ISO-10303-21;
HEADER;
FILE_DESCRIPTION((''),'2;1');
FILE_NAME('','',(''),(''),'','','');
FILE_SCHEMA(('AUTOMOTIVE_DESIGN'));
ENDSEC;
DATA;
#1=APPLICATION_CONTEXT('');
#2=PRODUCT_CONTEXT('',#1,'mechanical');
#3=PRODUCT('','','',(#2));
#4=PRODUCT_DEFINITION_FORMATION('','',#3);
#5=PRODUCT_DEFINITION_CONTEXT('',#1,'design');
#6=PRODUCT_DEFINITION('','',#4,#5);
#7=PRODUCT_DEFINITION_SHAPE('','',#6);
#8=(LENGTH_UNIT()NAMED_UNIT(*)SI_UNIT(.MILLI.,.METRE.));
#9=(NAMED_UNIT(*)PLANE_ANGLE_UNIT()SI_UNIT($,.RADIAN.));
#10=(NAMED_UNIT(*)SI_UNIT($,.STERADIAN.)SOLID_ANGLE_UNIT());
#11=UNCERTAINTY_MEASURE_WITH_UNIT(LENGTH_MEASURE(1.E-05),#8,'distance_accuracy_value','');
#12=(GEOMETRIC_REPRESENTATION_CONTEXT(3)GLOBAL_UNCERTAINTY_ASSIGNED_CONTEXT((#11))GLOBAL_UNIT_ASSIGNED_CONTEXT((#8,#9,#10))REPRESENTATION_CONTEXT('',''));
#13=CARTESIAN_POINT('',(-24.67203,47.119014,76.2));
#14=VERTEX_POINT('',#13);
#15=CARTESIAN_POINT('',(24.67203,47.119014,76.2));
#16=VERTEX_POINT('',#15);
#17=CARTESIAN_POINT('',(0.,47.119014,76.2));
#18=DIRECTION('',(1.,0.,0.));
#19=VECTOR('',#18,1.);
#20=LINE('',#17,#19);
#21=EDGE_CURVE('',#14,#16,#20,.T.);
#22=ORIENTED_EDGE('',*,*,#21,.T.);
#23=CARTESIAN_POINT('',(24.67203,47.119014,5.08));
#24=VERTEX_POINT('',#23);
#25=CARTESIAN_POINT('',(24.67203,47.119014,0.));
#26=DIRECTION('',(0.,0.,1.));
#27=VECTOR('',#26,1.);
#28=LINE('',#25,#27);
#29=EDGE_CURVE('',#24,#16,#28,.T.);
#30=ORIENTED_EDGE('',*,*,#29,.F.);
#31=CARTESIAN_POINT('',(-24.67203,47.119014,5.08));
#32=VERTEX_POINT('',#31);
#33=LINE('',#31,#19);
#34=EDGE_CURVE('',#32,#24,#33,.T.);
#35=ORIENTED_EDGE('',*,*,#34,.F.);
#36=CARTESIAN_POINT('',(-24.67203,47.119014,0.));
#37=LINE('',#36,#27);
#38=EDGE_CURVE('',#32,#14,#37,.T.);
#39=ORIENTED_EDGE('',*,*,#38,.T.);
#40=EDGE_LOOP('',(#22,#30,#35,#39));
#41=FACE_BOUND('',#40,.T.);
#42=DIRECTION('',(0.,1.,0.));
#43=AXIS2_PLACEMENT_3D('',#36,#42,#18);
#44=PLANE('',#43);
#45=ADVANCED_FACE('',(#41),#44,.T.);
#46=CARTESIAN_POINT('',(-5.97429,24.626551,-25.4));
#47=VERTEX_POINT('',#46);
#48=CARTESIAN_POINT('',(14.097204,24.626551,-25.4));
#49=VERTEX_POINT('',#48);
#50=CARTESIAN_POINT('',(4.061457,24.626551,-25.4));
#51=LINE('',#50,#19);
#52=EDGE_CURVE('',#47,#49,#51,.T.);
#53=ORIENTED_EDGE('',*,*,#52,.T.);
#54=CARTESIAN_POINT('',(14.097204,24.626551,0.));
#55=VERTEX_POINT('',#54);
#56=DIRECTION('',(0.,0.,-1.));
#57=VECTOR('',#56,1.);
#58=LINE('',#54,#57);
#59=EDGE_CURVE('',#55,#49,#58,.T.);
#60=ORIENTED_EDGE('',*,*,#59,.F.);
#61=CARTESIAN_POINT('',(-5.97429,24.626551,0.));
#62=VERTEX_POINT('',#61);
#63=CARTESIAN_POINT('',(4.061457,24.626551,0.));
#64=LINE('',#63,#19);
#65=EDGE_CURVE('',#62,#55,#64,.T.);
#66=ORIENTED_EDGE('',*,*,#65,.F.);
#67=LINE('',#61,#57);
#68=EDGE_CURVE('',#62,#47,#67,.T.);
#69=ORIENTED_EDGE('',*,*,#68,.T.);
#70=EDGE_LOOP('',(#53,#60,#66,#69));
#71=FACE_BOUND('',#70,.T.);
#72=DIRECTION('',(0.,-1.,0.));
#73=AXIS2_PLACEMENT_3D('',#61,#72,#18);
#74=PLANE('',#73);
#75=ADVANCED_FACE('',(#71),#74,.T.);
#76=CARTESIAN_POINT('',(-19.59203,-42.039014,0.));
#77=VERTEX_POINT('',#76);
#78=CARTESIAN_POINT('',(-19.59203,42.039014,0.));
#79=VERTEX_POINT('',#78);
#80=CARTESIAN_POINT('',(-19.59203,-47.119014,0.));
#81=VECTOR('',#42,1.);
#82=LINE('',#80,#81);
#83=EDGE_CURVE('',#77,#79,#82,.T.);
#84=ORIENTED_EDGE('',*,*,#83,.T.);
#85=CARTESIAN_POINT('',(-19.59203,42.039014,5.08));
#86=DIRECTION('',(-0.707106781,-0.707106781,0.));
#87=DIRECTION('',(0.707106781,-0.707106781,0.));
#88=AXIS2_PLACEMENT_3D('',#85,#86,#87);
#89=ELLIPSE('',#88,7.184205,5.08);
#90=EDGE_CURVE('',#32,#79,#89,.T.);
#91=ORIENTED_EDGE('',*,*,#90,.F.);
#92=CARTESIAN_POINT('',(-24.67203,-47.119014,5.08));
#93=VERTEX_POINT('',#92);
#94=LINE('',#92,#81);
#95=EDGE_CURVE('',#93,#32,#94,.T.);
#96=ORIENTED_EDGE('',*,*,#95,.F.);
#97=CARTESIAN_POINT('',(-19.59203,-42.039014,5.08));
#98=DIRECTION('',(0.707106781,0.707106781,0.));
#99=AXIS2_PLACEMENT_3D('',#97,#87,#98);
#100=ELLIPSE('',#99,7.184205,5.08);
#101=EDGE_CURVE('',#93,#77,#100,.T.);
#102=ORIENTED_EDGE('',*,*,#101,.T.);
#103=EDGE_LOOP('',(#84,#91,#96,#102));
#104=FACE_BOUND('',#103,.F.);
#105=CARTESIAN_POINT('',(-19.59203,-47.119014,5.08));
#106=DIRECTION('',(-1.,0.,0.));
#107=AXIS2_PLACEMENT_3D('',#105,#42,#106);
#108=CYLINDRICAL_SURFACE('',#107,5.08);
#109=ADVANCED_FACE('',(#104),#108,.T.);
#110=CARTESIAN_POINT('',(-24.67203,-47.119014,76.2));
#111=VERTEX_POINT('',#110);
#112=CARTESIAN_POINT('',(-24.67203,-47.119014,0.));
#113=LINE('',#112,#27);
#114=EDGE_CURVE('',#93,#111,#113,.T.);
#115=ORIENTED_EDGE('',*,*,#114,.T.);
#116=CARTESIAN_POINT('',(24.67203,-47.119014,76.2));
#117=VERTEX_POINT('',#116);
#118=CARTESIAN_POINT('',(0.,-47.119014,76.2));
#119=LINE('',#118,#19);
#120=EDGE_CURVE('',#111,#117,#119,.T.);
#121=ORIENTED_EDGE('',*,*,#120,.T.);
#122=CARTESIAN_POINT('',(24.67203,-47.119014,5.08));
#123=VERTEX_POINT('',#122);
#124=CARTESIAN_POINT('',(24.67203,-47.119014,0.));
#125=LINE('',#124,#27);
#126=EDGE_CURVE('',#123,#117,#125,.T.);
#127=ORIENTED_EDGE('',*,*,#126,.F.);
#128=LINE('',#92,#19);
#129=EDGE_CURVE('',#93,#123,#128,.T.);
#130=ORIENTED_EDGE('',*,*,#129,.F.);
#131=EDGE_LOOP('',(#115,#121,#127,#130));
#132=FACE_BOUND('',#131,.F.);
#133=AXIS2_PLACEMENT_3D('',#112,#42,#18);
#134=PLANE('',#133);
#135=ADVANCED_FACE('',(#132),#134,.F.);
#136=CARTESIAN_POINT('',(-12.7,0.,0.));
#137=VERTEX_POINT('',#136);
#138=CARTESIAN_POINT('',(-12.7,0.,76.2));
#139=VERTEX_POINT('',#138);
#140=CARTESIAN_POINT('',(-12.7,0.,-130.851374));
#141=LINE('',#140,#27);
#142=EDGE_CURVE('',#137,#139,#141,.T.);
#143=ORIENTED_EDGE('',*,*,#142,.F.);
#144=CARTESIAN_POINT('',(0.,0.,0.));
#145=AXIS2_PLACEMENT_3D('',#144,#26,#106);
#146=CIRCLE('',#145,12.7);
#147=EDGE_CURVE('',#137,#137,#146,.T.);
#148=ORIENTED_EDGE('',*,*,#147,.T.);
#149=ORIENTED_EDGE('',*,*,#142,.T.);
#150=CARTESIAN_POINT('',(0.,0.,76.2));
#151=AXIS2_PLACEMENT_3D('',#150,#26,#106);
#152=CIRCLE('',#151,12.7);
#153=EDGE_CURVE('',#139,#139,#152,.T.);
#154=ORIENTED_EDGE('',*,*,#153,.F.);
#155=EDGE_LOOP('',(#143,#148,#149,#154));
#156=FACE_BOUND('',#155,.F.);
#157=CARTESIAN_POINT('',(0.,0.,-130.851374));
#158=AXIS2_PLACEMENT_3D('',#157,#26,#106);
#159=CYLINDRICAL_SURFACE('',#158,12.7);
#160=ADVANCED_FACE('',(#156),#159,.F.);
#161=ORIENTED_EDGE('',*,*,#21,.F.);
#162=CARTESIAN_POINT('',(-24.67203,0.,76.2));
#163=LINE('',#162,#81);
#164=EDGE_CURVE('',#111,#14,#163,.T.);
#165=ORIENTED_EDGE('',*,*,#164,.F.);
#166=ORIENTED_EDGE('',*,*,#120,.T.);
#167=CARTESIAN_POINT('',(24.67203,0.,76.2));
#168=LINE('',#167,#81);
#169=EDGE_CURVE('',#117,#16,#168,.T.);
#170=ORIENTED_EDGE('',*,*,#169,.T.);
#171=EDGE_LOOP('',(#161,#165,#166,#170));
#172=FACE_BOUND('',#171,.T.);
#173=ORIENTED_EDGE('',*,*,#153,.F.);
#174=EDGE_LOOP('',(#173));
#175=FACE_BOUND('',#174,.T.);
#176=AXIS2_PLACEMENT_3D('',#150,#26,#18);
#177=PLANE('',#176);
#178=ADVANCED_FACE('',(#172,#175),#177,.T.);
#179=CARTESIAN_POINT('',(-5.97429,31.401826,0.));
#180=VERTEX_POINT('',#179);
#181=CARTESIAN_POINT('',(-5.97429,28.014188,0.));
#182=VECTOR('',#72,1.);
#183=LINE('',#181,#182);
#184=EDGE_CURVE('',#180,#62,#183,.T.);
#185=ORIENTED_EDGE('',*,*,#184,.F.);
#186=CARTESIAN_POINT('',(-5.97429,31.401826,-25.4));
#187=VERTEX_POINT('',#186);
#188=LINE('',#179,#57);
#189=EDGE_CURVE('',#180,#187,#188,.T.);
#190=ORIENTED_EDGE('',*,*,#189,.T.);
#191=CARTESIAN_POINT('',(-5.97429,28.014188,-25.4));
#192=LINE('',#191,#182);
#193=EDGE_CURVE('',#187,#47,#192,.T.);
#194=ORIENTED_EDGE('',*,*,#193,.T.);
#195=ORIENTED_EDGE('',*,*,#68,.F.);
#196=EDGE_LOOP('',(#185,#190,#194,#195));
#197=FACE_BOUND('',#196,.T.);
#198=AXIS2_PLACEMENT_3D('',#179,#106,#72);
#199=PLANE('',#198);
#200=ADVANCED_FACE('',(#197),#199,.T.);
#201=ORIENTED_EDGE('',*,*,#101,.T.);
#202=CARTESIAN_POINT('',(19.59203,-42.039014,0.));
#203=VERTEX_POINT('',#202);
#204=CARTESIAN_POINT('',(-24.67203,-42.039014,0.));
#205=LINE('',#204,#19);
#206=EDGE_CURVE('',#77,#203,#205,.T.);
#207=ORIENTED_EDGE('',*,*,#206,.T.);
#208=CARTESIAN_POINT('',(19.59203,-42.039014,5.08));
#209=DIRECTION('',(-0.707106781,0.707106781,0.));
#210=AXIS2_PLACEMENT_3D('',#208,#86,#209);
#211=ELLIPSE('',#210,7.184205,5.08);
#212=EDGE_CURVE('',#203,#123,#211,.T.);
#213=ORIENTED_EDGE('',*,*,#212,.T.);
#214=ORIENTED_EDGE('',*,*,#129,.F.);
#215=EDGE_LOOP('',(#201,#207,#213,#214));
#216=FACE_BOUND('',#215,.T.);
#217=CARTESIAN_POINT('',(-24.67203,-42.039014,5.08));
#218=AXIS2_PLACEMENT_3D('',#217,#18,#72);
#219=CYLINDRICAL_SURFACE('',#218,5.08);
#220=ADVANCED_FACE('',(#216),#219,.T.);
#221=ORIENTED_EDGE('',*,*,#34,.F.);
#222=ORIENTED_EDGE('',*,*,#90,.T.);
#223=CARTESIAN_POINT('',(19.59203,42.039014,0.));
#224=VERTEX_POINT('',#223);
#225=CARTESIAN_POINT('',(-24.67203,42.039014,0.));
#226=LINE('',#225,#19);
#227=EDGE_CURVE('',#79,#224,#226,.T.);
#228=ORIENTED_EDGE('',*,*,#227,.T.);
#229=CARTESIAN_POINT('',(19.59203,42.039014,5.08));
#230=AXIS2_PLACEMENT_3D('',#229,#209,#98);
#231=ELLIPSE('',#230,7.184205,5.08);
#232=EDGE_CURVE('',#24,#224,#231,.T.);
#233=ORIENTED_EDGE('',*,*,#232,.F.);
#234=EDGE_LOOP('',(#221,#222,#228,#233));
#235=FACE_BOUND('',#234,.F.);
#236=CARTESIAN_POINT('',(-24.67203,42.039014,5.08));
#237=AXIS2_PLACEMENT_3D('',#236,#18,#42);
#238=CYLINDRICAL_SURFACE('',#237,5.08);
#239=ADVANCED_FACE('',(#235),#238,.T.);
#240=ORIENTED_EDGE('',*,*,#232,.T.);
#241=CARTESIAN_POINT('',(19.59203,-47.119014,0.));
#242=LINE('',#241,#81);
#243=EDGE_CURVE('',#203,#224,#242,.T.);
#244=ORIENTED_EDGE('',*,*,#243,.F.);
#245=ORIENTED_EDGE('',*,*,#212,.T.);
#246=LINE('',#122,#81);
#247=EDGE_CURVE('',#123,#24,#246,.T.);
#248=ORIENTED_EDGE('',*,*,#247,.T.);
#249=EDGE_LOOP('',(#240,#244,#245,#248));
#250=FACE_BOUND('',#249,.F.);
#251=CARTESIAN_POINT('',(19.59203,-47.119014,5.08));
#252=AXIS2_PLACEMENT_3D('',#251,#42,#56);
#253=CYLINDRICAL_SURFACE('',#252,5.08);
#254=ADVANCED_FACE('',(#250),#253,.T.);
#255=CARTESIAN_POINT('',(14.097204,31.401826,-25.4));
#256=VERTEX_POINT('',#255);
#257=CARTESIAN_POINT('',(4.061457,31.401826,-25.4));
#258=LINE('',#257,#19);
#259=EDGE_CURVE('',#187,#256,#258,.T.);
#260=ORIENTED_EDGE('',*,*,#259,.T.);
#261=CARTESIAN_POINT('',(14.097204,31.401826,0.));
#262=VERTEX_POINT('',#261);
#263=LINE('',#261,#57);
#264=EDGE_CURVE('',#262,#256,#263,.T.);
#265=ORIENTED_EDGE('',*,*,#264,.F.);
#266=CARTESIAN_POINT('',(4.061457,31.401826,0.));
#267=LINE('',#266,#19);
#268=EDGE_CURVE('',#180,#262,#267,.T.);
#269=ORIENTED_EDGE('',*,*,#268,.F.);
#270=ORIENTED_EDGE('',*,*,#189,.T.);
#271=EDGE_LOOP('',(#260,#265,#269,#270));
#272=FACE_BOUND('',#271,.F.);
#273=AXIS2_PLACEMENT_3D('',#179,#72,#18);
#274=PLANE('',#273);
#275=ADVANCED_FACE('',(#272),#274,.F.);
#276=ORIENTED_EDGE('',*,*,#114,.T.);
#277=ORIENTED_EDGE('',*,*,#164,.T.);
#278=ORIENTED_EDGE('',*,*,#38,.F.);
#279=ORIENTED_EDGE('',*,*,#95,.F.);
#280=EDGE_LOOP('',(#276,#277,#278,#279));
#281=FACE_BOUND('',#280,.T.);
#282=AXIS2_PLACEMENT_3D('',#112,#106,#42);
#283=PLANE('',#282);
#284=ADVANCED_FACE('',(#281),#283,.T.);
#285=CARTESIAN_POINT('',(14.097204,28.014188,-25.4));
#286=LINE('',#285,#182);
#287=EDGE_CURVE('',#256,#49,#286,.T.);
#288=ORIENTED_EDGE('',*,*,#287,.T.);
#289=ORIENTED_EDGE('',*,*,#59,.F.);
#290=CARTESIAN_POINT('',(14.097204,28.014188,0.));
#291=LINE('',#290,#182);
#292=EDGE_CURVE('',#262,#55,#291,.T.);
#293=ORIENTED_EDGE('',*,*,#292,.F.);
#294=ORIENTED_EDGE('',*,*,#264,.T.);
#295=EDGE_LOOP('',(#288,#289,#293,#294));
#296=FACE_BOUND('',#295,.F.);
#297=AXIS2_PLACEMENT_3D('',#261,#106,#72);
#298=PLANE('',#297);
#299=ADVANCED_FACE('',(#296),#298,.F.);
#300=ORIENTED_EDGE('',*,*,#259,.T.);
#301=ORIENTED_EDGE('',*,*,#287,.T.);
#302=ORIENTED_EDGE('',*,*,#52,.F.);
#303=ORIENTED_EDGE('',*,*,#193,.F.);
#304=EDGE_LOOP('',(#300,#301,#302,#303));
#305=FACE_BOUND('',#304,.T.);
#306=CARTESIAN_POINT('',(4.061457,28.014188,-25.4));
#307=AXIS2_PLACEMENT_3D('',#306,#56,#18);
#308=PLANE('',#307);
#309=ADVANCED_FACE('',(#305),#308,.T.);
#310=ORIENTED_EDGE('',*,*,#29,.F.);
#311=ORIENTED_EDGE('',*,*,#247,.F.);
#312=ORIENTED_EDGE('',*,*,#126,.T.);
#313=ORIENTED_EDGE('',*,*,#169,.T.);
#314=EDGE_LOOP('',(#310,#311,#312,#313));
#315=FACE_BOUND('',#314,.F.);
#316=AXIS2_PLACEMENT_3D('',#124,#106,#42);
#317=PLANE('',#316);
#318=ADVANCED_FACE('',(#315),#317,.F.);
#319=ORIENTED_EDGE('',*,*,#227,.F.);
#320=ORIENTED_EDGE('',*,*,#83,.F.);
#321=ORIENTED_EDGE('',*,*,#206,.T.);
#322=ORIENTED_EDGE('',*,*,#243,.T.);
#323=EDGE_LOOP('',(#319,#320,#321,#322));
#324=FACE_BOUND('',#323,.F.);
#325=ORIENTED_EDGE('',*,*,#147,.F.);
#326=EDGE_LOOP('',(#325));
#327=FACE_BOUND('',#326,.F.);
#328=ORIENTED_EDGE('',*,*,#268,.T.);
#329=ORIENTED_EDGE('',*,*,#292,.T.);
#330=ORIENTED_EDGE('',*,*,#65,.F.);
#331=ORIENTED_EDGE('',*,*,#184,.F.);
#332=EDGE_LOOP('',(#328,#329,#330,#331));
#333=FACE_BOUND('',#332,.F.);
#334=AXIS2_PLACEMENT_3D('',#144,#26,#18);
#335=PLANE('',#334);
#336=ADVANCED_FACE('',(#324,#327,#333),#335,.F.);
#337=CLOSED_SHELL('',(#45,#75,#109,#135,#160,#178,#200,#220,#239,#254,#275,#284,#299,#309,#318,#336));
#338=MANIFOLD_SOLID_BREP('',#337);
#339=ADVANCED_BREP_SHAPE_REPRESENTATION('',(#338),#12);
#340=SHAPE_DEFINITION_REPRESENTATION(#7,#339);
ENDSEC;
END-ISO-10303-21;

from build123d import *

# Parameters (mm, degrees)
F0_W     = 49.34406
F0_H     = 94.238028
F1_DEPTH = 76.2
F3_D     = 25.4
F4_R     = 5.08
F5_W     = 20.071493
F5_H     = 6.775275
F6_DEPTH = 25.4


with BuildPart() as f1:
    # F0 (on Top) → F1 (new body)
    with BuildSketch(Plane.XY):
        Rectangle(F0_W, F0_H)
    extrude(amount=F1_DEPTH)

    # F3 (through all)
    with Locations(Plane(origin=(0, 0, 0), x_dir=(1, 0, 0), z_dir=(0, 0, -1))):
        with Locations((0, 0)):
            Hole(F3_D / 2)

    # F4
    f4_edges = [f1.edges().sort_by_distance(p)[0] for p in [
        (0, 47.119014, 0),
        (-24.67203, 0, 0),
        (24.67203, 0, 0),
        (0, -47.119014, 0),
    ]]
    fillet(f4_edges, radius=F4_R)

    # F5 (on face) → F6 (join)
    with BuildSketch(Plane(origin=(0, 0, 0), x_dir=(1, 0, 0), z_dir=(0, 0, -1))):
        with Locations((4.061457, -28.014188)):
            Rectangle(F5_W, F5_H)
    extrude(amount=F6_DEPTH)


solid = f1.part
